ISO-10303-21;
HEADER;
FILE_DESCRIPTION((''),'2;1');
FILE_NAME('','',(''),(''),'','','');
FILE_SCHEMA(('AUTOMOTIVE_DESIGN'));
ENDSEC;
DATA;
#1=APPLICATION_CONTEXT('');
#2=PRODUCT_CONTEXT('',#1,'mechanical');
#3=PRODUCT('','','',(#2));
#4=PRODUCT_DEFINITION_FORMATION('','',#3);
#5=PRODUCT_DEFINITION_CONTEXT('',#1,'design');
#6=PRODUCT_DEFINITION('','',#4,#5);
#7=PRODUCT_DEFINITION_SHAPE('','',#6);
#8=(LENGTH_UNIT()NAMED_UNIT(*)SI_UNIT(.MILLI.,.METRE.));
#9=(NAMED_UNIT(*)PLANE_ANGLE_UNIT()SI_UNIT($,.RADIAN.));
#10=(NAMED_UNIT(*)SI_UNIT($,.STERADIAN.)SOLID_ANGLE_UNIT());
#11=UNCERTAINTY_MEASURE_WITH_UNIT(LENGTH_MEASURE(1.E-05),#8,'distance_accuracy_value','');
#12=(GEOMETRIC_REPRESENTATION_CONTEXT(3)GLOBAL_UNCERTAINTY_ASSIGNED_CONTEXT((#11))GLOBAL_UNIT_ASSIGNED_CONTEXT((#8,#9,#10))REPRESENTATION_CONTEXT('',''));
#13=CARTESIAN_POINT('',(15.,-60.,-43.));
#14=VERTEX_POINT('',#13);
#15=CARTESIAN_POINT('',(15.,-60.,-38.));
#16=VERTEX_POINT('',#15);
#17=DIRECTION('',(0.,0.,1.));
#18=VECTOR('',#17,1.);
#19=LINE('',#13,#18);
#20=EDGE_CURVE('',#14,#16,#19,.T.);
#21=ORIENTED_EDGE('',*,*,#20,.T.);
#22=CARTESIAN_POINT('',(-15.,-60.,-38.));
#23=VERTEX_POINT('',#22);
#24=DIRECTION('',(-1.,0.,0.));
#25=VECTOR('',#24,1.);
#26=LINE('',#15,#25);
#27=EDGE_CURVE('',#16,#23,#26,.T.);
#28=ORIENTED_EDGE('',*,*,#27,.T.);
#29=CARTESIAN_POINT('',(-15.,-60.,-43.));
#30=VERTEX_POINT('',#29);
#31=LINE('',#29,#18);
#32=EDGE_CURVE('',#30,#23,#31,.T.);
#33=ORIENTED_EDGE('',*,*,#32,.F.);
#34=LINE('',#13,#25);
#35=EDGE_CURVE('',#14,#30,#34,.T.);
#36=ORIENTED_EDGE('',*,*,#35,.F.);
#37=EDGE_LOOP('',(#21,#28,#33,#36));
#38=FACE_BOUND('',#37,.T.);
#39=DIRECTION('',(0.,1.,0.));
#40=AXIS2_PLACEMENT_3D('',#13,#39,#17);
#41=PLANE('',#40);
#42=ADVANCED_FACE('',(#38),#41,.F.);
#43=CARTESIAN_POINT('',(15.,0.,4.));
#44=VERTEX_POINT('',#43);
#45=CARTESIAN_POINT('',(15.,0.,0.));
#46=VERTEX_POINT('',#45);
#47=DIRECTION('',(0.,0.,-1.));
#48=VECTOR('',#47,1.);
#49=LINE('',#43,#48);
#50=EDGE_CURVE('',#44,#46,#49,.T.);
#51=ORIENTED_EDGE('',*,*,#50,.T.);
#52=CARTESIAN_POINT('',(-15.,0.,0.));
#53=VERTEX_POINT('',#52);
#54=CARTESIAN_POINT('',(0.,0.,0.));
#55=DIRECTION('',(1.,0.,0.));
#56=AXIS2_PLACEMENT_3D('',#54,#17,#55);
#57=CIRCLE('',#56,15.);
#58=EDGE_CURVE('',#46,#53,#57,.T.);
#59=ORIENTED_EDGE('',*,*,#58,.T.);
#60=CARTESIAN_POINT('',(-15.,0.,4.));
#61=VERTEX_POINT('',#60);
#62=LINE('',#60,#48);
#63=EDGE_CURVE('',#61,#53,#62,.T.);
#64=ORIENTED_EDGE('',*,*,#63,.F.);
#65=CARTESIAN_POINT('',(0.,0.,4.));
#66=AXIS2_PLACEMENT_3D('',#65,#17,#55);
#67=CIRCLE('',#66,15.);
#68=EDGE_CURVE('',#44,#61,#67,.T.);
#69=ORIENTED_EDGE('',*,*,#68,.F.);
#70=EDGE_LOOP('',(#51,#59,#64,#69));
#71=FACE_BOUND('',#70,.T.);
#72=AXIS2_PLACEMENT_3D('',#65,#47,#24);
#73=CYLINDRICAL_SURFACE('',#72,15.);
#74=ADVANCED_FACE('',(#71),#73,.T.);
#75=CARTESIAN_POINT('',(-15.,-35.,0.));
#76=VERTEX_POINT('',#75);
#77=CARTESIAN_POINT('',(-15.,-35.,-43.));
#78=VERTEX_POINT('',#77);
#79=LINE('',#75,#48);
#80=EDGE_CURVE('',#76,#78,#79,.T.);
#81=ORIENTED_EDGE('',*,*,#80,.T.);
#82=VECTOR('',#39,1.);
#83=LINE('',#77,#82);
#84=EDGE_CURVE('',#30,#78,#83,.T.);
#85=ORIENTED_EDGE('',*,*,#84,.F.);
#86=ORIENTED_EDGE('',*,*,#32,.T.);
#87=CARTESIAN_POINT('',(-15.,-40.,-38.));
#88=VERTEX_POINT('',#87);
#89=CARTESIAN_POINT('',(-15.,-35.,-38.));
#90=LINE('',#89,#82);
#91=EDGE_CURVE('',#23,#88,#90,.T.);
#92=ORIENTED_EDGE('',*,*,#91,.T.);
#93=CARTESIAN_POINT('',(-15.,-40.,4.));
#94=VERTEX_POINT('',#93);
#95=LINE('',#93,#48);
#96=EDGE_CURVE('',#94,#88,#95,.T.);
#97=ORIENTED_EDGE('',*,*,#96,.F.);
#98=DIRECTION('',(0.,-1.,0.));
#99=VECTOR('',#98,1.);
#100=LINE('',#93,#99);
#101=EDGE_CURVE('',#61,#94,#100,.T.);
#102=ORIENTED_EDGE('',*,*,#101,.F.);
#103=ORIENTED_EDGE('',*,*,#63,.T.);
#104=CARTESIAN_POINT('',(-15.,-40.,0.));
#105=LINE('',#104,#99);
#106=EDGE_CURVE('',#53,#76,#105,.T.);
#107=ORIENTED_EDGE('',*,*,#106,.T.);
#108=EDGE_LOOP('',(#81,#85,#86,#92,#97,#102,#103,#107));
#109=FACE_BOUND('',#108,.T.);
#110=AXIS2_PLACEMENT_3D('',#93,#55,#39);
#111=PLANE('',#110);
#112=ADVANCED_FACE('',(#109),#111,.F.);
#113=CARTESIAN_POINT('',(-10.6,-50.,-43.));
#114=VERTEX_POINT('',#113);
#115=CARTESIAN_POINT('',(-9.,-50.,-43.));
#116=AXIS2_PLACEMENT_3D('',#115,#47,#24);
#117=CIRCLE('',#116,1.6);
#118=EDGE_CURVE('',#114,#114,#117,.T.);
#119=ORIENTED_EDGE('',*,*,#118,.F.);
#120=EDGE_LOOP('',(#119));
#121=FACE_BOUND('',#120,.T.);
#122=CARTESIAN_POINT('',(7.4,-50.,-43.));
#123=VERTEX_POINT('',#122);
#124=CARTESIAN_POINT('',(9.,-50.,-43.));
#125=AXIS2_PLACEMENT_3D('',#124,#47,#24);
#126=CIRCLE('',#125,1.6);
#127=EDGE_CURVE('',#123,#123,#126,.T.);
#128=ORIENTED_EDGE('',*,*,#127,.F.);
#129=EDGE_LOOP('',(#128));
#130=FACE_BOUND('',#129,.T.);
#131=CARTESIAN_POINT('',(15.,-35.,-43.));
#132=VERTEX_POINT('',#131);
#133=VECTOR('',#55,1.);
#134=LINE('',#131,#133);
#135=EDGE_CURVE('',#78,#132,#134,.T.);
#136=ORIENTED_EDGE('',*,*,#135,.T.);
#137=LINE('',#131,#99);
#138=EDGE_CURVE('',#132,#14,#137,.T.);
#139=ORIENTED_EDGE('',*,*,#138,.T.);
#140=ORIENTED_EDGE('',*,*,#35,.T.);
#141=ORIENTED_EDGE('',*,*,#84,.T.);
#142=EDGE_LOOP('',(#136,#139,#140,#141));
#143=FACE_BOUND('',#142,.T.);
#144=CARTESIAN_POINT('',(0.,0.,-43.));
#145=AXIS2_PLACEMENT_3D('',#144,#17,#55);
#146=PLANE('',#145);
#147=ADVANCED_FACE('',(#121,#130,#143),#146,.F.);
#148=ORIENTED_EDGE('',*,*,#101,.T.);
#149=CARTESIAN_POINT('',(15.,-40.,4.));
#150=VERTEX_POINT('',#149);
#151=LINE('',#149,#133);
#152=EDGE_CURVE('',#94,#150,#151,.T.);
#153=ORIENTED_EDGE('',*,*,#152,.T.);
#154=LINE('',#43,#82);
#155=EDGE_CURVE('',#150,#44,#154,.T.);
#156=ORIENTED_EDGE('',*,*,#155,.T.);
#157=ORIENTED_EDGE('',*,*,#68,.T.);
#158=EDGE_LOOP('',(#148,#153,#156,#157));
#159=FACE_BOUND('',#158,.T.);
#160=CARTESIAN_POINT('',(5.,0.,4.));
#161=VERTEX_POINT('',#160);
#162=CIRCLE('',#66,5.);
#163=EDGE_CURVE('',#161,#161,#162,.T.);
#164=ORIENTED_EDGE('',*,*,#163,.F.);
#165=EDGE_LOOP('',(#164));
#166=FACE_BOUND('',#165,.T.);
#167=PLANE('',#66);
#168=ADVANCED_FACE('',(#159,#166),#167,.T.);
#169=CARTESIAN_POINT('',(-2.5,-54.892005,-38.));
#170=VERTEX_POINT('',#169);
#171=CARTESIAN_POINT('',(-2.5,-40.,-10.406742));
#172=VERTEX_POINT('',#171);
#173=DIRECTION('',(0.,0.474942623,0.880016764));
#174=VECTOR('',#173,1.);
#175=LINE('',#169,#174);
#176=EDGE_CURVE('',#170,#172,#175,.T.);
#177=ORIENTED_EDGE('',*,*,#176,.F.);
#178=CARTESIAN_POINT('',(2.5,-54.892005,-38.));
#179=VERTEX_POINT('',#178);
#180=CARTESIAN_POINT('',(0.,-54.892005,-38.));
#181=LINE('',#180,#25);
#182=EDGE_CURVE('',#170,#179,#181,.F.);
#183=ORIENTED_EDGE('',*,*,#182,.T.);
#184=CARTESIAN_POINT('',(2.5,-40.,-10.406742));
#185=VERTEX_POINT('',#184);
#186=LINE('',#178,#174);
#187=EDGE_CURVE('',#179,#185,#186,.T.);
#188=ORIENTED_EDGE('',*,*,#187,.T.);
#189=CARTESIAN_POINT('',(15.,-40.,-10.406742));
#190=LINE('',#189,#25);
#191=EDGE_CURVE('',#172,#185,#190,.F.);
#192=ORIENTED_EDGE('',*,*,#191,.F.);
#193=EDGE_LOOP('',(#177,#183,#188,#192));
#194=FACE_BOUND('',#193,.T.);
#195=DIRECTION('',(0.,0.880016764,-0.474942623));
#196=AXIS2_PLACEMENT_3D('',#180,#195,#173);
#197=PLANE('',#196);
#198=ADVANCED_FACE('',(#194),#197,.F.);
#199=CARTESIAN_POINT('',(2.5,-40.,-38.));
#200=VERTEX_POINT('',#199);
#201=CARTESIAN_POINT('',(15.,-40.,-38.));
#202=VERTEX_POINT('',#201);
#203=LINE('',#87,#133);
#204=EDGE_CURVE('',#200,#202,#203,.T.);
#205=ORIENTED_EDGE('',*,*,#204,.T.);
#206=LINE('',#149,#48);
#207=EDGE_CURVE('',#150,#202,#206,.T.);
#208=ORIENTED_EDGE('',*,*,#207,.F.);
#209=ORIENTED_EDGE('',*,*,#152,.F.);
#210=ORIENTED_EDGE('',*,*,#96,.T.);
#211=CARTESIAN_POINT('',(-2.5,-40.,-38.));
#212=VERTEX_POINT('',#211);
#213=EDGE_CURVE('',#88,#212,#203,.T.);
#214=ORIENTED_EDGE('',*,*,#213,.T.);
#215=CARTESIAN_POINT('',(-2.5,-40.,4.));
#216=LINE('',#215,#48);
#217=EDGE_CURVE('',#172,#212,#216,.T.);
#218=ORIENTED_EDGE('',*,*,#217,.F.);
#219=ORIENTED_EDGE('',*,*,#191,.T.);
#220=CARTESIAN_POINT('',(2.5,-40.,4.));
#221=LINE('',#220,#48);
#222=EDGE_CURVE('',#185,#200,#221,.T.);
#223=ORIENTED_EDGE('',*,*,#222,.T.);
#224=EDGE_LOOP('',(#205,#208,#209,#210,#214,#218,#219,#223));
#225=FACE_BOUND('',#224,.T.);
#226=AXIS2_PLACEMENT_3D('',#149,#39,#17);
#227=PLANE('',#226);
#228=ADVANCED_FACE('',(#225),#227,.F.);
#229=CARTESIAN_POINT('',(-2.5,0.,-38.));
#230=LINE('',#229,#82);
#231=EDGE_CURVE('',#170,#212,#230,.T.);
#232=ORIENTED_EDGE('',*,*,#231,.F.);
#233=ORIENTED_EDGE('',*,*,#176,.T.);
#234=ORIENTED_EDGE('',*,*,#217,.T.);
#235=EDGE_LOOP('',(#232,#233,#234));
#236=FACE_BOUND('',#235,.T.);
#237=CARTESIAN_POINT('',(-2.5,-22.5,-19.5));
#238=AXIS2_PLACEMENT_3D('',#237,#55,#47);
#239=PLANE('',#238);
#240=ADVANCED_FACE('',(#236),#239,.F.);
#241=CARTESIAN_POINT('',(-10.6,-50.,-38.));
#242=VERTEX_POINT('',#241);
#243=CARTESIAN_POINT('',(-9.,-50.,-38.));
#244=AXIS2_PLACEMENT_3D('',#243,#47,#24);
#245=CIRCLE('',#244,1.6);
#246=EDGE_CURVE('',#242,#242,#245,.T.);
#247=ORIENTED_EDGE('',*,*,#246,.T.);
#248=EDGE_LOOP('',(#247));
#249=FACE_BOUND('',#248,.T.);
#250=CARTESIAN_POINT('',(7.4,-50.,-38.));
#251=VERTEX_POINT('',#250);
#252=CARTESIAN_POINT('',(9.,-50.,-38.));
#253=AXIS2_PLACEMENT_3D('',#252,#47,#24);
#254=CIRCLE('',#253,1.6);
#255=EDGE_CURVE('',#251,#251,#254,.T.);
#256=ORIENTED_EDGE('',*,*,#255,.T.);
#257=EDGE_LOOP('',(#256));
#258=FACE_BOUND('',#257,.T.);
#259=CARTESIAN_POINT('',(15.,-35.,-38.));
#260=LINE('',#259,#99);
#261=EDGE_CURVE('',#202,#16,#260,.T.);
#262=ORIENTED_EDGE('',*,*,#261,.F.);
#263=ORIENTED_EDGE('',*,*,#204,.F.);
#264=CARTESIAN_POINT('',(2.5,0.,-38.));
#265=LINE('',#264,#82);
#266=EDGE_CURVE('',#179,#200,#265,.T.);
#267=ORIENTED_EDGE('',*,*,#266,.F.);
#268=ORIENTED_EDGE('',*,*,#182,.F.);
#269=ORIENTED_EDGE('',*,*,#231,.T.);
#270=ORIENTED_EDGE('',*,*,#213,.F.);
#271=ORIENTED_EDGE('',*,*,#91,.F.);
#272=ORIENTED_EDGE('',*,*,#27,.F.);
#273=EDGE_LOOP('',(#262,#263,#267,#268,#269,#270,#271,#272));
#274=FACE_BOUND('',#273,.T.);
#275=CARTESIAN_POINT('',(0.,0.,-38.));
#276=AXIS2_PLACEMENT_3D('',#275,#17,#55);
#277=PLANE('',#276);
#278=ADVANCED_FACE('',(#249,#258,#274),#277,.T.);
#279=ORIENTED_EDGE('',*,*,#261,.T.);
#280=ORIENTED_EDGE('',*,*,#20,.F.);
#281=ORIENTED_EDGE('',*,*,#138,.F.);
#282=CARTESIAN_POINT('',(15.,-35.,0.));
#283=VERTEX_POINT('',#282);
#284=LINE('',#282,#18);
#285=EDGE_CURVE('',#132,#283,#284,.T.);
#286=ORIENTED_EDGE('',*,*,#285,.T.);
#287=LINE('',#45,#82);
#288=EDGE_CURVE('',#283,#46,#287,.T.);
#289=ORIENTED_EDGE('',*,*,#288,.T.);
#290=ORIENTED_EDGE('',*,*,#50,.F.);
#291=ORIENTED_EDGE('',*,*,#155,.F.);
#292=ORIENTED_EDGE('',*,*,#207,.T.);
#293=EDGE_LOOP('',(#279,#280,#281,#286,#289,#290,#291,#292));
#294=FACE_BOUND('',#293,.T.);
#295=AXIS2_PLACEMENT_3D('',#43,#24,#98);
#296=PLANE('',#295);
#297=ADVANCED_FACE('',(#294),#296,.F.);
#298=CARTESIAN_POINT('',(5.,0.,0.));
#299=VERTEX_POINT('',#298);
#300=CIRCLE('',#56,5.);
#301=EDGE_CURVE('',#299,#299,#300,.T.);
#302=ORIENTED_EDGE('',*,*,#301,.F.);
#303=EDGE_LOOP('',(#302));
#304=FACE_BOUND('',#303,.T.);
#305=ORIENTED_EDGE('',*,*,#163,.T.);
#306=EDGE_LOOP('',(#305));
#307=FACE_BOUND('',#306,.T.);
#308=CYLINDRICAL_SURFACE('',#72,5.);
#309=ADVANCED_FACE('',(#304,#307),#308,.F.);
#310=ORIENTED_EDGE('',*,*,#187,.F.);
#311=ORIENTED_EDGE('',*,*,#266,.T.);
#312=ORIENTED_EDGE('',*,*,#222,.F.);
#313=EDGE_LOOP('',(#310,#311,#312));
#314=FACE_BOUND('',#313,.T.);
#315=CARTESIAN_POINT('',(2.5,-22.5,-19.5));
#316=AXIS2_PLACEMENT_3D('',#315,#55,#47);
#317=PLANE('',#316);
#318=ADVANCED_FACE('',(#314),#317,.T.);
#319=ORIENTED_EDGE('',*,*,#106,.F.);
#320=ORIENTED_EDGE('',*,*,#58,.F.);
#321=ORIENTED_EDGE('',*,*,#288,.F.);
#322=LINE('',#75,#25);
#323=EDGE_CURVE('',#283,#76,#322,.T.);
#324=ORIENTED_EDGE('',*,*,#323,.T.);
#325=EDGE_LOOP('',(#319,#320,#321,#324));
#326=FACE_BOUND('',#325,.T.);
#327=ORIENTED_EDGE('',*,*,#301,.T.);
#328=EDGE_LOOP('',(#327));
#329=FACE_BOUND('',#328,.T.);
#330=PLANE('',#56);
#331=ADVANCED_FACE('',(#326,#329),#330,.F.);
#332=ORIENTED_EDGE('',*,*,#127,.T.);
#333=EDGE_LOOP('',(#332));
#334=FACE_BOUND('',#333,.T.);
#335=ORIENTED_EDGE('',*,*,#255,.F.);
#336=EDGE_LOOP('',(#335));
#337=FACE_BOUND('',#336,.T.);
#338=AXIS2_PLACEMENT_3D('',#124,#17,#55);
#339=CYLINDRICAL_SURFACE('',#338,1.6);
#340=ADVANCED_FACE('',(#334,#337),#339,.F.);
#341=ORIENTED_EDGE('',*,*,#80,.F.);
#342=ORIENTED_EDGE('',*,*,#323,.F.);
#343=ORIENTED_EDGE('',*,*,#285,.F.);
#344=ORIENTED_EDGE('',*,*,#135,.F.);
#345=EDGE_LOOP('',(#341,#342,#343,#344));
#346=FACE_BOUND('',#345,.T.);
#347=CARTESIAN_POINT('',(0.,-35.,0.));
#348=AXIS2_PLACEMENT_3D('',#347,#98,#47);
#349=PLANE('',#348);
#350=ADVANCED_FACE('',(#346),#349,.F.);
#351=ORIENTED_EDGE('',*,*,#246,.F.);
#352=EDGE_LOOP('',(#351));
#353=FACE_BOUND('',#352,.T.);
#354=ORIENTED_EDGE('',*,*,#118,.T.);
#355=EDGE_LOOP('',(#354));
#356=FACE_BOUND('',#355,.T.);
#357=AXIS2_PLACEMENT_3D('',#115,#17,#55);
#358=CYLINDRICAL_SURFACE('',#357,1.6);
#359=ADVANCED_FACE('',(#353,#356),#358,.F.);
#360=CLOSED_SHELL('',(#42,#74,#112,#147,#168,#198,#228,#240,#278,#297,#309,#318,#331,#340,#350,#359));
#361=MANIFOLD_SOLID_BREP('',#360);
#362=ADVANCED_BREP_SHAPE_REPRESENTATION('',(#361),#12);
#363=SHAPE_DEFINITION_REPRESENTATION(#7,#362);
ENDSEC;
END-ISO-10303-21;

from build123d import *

# Parameters (mm, degrees)
SKETCH1_R           = 5
BOSS_EXTRUDE1_DEPTH = 4
SKETCH2_W           = 30
SKETCH2_H           = 38
BOSS_EXTRUDE2_DEPTH = 5
SKETCH4_W           = 30
SKETCH4_H           = 25
SKETCH4_R           = 1.6
BOSS_EXTRUDE3_DEPTH = 5
RIB1_REACH          = 77.326
SKETCH5_WALL_W      = 184.007294544
SKETCH5_WALL_H      = 5


with BuildPart() as part:
    # Sketch1 → Boss-Extrude1 (new body)
    with BuildSketch(Plane.XY):
        with BuildLine():
            Line((15, 0), (15, -40))
            Line((15, -40), (-15, -40))
            Line((-15, -40), (-15, 0))
            ThreePointArc((-15, 0), (0, 15), (15, 0))
        make_face()
        Circle(SKETCH1_R, mode=Mode.SUBTRACT)
    extrude(amount=BOSS_EXTRUDE1_DEPTH)

    # Sketch2 → Boss-Extrude2 (add)
    with BuildSketch(Plane.XZ.offset(40)):
        with Locations((0, -19)):
            Rectangle(SKETCH2_W, SKETCH2_H)
    extrude(amount=-BOSS_EXTRUDE2_DEPTH)

    # Sketch4 → Boss-Extrude3 (add)
    with BuildSketch(Plane(origin=(0, 0, -38), x_dir=(-1, 0, 0), z_dir=(0, 0, -1))):
        with Locations((0, -47.5)):
            Rectangle(SKETCH4_W, SKETCH4_H)
        with Locations((9, -50)):
            Circle(SKETCH4_R, mode=Mode.SUBTRACT)
        with Locations((-9, -50)):
            Circle(SKETCH4_R, mode=Mode.SUBTRACT)
    extrude(amount=BOSS_EXTRUDE3_DEPTH)

    # Sketch5 wall → Rib1 (add, up to next)
    with BuildSketch(Plane(origin=(0, -47.446002706, -24.203370922), x_dir=(0, 0.474942623165, 0.880016763875), z_dir=(0, -0.880016763875, 0.474942623165)), mode=Mode.PRIVATE) as rib1_sk1:
        Rectangle(SKETCH5_WALL_W, SKETCH5_WALL_H)
    rib1_tool1 = extrude(rib1_sk1.sketch, amount=-RIB1_REACH, mode=Mode.PRIVATE) - part.part
    add(rib1_tool1.solids().sort_by_distance((0, -47.446002706, -24.203370922))[0])


solid = part.part
